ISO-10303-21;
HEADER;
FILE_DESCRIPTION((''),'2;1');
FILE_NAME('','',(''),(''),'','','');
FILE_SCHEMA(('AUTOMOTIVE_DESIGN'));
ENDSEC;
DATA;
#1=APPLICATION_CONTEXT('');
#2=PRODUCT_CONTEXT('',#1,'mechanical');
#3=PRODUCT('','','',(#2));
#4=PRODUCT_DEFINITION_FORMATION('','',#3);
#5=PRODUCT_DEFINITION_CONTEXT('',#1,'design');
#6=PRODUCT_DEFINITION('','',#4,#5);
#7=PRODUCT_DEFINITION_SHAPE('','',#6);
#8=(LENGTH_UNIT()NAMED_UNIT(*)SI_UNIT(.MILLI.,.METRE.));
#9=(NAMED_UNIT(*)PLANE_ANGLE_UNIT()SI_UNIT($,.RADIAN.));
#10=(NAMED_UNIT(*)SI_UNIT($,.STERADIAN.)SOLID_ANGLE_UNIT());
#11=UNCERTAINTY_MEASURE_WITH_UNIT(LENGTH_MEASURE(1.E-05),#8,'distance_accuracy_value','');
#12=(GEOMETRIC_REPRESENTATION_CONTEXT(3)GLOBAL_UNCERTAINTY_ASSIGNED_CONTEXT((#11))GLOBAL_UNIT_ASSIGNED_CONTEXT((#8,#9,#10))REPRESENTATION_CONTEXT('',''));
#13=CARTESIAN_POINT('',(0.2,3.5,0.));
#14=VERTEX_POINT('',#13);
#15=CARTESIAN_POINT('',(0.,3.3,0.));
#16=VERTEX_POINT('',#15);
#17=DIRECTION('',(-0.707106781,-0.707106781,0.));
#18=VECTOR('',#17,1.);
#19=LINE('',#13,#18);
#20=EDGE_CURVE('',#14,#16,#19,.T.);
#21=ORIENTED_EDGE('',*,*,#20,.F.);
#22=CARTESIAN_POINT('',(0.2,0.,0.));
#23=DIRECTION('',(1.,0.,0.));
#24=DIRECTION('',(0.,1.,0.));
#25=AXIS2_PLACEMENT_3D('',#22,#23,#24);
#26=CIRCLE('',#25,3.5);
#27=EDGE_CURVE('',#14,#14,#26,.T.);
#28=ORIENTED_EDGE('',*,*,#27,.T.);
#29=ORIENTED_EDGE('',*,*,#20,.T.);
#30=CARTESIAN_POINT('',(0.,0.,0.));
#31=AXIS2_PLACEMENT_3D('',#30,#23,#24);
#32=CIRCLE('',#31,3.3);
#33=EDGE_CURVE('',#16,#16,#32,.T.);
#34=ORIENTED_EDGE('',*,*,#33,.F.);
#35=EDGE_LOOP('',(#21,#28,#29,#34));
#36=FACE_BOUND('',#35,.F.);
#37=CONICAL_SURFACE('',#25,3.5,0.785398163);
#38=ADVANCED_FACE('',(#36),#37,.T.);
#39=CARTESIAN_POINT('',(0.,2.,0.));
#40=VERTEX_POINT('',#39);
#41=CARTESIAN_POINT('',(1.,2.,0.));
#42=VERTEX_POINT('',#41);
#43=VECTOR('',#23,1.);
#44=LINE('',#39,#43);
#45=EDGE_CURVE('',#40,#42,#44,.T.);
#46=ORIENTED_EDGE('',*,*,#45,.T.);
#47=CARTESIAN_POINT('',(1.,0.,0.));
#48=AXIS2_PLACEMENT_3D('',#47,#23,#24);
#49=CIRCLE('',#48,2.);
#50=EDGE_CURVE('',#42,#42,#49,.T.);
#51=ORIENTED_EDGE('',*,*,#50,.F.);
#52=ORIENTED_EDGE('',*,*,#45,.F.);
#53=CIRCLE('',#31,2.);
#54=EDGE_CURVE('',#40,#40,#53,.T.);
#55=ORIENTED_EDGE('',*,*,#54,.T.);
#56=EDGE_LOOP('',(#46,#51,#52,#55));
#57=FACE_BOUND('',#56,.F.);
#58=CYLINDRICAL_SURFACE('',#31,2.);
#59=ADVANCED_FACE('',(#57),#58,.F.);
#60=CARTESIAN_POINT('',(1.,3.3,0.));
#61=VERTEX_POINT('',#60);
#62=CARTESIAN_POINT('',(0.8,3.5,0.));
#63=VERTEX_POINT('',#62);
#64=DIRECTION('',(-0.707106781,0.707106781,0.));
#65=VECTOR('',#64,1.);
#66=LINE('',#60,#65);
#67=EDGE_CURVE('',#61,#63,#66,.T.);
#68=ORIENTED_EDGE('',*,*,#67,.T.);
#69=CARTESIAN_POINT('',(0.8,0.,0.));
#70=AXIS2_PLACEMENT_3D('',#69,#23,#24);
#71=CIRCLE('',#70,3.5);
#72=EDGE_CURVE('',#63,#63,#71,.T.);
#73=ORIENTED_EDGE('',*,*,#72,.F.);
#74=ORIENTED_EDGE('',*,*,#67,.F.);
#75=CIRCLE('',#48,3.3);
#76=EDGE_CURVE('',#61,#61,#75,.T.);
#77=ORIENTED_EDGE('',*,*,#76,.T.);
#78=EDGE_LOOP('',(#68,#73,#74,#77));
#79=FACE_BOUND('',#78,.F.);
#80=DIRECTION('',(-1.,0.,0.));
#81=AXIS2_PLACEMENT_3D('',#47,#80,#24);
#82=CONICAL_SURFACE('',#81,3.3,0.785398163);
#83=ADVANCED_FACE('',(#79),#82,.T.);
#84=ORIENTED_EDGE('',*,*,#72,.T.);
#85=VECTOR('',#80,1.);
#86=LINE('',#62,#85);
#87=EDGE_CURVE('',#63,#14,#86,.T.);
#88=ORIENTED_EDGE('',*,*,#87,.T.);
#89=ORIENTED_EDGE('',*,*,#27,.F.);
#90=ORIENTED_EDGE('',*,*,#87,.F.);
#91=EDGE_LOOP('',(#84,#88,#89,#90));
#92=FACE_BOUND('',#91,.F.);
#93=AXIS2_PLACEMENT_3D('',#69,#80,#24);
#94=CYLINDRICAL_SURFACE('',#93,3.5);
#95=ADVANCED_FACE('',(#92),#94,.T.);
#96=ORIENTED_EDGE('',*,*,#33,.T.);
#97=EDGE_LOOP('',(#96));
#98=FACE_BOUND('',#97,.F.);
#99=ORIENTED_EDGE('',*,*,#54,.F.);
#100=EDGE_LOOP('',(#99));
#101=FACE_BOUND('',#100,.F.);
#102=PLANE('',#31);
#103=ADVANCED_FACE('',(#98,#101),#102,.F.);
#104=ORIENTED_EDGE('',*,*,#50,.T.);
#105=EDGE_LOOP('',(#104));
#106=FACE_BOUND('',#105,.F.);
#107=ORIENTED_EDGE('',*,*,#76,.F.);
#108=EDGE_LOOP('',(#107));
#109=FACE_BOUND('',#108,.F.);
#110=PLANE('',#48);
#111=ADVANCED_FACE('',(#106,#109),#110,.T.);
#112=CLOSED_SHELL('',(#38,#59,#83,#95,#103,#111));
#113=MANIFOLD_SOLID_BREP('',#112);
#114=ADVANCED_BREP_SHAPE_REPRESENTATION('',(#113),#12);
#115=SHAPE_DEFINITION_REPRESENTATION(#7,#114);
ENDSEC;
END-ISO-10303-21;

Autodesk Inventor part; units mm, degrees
sketch "Sketch_1" plane through (0, 0, 0) normal (0, 0, 1) x (1, 0, 0)
  line L0 (1, 0) -> (0, 0)
  line L1 (0, 2) -> (1, 2)
  line L2 (1, 2) -> (1, 3.3)
  line L3 (1, 3.3) -> (0.8, 3.5)
  line L4 (0.8, 3.5) -> (0.2, 3.5)
  line L5 (0.2, 3.5) -> (0, 3.3)
  line L6 (0, 3.3) -> (0, 2)
revolve "Revolution1" add sketch "Sketch_1" angle 360 about axis through (1, 0, 0) along (1, 0, 0)
ref_plane "to_b_XY" through (0, 0, 0) normal (1, 0, 0) x (0, 0, -1)
ref_plane "to_b_YZ" through (0, 0, 0) normal (0, 0, -1) x (0, 1, 0)
ref_plane "to_b_ZX" through (0, 0, 0) normal (0, 1, 0) x (1, 0, 0)
properties part number "CLBU4-7-1"
